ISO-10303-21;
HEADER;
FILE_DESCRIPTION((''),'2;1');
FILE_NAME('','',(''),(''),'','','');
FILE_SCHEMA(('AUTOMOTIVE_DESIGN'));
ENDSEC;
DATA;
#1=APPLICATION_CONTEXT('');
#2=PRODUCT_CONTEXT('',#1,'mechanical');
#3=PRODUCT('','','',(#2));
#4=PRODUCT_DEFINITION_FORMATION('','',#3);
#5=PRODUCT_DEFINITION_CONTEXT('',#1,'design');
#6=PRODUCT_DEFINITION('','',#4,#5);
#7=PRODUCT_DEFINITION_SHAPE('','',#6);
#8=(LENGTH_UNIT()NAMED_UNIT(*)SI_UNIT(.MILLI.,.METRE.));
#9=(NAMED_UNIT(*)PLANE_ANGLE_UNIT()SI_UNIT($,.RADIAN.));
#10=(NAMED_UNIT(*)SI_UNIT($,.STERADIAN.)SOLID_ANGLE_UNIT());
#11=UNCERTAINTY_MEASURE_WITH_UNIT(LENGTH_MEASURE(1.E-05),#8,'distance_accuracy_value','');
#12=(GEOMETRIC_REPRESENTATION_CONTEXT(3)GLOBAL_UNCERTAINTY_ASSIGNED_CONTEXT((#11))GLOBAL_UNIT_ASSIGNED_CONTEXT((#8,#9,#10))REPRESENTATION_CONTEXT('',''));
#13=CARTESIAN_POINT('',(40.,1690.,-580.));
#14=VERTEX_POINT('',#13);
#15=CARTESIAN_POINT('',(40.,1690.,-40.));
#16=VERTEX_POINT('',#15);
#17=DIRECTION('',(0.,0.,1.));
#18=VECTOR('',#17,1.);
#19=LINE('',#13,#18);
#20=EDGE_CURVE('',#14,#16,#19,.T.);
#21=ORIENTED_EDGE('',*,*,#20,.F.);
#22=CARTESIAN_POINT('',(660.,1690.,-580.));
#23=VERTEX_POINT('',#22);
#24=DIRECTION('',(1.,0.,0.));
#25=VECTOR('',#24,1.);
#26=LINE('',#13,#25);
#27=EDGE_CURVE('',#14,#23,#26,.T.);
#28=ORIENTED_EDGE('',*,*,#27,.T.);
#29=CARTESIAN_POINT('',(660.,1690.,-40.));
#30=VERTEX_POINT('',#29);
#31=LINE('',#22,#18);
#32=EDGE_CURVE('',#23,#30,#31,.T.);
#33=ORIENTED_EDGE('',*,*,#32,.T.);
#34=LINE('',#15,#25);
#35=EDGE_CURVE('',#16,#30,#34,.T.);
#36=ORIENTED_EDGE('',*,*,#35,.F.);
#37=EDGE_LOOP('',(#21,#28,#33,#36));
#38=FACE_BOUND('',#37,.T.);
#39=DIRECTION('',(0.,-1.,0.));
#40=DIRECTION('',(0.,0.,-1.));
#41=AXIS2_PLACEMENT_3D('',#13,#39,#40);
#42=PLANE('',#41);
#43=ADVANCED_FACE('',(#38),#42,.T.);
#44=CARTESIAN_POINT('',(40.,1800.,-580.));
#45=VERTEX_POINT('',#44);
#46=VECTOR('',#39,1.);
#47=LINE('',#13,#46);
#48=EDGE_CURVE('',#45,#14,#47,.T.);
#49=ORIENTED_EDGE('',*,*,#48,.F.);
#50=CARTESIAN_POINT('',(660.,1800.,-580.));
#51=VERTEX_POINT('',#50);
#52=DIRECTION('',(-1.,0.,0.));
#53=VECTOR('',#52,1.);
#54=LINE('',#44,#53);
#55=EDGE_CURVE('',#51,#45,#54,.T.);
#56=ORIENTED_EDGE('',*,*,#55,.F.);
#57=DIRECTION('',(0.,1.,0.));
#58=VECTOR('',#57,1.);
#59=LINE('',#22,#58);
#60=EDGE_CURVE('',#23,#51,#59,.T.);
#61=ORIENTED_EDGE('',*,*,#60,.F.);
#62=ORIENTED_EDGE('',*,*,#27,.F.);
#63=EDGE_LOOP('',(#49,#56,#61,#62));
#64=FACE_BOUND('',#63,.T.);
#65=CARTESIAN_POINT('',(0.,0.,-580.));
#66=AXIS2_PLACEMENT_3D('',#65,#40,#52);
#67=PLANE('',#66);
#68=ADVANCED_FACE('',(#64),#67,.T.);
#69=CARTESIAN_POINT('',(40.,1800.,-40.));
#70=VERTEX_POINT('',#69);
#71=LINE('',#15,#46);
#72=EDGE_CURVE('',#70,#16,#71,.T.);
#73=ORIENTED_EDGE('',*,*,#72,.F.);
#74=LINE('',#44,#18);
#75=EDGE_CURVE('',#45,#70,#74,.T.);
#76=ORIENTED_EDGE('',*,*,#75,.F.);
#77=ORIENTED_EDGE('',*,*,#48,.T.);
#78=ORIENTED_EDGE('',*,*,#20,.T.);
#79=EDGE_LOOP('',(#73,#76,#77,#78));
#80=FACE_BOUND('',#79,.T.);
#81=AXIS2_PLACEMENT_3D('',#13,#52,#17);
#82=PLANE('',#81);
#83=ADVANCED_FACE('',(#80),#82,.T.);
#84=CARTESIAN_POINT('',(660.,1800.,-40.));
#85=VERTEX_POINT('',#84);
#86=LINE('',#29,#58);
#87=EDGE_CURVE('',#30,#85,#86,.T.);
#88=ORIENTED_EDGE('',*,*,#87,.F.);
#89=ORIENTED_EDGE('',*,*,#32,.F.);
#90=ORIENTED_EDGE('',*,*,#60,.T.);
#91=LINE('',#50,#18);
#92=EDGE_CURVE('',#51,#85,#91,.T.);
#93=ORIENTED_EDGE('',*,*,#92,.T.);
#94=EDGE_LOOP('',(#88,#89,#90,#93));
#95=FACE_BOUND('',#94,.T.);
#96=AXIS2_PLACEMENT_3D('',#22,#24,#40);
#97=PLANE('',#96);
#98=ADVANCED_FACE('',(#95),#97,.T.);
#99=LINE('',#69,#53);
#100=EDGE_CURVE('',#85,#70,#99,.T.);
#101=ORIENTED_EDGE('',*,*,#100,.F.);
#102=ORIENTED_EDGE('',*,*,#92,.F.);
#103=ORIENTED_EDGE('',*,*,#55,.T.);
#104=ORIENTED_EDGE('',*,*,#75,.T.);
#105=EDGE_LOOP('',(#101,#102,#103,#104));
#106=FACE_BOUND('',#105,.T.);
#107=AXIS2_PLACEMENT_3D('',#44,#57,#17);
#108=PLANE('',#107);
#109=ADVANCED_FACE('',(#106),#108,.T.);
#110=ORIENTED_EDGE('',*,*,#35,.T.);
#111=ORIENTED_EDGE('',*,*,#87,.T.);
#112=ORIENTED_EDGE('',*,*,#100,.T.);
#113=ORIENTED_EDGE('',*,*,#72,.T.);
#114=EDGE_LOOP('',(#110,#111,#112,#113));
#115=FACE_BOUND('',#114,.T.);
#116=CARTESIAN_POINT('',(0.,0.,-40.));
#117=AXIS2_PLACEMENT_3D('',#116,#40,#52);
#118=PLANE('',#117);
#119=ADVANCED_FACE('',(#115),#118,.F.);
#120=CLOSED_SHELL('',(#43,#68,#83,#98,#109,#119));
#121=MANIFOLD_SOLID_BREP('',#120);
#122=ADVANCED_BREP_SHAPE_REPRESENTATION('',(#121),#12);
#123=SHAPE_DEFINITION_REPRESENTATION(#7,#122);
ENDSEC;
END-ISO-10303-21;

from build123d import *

# Parameters (mm, degrees)
OVEN_PLENUM_KUTUSU_1_START = -40
SKETCH1_W                  = 620
SKETCH1_H                  = 110
OVEN_PLENUM_KUTUSU_1_DEPTH = 540


with BuildPart() as part:
    # Sketch1 → OVEN_plenum_kutusu_1 (new body)
    with BuildSketch(Plane.XY.offset(OVEN_PLENUM_KUTUSU_1_START)):
        with Locations((350, 1745)):
            Rectangle(SKETCH1_W, SKETCH1_H)
    extrude(amount=-OVEN_PLENUM_KUTUSU_1_DEPTH)


solid = part.part
